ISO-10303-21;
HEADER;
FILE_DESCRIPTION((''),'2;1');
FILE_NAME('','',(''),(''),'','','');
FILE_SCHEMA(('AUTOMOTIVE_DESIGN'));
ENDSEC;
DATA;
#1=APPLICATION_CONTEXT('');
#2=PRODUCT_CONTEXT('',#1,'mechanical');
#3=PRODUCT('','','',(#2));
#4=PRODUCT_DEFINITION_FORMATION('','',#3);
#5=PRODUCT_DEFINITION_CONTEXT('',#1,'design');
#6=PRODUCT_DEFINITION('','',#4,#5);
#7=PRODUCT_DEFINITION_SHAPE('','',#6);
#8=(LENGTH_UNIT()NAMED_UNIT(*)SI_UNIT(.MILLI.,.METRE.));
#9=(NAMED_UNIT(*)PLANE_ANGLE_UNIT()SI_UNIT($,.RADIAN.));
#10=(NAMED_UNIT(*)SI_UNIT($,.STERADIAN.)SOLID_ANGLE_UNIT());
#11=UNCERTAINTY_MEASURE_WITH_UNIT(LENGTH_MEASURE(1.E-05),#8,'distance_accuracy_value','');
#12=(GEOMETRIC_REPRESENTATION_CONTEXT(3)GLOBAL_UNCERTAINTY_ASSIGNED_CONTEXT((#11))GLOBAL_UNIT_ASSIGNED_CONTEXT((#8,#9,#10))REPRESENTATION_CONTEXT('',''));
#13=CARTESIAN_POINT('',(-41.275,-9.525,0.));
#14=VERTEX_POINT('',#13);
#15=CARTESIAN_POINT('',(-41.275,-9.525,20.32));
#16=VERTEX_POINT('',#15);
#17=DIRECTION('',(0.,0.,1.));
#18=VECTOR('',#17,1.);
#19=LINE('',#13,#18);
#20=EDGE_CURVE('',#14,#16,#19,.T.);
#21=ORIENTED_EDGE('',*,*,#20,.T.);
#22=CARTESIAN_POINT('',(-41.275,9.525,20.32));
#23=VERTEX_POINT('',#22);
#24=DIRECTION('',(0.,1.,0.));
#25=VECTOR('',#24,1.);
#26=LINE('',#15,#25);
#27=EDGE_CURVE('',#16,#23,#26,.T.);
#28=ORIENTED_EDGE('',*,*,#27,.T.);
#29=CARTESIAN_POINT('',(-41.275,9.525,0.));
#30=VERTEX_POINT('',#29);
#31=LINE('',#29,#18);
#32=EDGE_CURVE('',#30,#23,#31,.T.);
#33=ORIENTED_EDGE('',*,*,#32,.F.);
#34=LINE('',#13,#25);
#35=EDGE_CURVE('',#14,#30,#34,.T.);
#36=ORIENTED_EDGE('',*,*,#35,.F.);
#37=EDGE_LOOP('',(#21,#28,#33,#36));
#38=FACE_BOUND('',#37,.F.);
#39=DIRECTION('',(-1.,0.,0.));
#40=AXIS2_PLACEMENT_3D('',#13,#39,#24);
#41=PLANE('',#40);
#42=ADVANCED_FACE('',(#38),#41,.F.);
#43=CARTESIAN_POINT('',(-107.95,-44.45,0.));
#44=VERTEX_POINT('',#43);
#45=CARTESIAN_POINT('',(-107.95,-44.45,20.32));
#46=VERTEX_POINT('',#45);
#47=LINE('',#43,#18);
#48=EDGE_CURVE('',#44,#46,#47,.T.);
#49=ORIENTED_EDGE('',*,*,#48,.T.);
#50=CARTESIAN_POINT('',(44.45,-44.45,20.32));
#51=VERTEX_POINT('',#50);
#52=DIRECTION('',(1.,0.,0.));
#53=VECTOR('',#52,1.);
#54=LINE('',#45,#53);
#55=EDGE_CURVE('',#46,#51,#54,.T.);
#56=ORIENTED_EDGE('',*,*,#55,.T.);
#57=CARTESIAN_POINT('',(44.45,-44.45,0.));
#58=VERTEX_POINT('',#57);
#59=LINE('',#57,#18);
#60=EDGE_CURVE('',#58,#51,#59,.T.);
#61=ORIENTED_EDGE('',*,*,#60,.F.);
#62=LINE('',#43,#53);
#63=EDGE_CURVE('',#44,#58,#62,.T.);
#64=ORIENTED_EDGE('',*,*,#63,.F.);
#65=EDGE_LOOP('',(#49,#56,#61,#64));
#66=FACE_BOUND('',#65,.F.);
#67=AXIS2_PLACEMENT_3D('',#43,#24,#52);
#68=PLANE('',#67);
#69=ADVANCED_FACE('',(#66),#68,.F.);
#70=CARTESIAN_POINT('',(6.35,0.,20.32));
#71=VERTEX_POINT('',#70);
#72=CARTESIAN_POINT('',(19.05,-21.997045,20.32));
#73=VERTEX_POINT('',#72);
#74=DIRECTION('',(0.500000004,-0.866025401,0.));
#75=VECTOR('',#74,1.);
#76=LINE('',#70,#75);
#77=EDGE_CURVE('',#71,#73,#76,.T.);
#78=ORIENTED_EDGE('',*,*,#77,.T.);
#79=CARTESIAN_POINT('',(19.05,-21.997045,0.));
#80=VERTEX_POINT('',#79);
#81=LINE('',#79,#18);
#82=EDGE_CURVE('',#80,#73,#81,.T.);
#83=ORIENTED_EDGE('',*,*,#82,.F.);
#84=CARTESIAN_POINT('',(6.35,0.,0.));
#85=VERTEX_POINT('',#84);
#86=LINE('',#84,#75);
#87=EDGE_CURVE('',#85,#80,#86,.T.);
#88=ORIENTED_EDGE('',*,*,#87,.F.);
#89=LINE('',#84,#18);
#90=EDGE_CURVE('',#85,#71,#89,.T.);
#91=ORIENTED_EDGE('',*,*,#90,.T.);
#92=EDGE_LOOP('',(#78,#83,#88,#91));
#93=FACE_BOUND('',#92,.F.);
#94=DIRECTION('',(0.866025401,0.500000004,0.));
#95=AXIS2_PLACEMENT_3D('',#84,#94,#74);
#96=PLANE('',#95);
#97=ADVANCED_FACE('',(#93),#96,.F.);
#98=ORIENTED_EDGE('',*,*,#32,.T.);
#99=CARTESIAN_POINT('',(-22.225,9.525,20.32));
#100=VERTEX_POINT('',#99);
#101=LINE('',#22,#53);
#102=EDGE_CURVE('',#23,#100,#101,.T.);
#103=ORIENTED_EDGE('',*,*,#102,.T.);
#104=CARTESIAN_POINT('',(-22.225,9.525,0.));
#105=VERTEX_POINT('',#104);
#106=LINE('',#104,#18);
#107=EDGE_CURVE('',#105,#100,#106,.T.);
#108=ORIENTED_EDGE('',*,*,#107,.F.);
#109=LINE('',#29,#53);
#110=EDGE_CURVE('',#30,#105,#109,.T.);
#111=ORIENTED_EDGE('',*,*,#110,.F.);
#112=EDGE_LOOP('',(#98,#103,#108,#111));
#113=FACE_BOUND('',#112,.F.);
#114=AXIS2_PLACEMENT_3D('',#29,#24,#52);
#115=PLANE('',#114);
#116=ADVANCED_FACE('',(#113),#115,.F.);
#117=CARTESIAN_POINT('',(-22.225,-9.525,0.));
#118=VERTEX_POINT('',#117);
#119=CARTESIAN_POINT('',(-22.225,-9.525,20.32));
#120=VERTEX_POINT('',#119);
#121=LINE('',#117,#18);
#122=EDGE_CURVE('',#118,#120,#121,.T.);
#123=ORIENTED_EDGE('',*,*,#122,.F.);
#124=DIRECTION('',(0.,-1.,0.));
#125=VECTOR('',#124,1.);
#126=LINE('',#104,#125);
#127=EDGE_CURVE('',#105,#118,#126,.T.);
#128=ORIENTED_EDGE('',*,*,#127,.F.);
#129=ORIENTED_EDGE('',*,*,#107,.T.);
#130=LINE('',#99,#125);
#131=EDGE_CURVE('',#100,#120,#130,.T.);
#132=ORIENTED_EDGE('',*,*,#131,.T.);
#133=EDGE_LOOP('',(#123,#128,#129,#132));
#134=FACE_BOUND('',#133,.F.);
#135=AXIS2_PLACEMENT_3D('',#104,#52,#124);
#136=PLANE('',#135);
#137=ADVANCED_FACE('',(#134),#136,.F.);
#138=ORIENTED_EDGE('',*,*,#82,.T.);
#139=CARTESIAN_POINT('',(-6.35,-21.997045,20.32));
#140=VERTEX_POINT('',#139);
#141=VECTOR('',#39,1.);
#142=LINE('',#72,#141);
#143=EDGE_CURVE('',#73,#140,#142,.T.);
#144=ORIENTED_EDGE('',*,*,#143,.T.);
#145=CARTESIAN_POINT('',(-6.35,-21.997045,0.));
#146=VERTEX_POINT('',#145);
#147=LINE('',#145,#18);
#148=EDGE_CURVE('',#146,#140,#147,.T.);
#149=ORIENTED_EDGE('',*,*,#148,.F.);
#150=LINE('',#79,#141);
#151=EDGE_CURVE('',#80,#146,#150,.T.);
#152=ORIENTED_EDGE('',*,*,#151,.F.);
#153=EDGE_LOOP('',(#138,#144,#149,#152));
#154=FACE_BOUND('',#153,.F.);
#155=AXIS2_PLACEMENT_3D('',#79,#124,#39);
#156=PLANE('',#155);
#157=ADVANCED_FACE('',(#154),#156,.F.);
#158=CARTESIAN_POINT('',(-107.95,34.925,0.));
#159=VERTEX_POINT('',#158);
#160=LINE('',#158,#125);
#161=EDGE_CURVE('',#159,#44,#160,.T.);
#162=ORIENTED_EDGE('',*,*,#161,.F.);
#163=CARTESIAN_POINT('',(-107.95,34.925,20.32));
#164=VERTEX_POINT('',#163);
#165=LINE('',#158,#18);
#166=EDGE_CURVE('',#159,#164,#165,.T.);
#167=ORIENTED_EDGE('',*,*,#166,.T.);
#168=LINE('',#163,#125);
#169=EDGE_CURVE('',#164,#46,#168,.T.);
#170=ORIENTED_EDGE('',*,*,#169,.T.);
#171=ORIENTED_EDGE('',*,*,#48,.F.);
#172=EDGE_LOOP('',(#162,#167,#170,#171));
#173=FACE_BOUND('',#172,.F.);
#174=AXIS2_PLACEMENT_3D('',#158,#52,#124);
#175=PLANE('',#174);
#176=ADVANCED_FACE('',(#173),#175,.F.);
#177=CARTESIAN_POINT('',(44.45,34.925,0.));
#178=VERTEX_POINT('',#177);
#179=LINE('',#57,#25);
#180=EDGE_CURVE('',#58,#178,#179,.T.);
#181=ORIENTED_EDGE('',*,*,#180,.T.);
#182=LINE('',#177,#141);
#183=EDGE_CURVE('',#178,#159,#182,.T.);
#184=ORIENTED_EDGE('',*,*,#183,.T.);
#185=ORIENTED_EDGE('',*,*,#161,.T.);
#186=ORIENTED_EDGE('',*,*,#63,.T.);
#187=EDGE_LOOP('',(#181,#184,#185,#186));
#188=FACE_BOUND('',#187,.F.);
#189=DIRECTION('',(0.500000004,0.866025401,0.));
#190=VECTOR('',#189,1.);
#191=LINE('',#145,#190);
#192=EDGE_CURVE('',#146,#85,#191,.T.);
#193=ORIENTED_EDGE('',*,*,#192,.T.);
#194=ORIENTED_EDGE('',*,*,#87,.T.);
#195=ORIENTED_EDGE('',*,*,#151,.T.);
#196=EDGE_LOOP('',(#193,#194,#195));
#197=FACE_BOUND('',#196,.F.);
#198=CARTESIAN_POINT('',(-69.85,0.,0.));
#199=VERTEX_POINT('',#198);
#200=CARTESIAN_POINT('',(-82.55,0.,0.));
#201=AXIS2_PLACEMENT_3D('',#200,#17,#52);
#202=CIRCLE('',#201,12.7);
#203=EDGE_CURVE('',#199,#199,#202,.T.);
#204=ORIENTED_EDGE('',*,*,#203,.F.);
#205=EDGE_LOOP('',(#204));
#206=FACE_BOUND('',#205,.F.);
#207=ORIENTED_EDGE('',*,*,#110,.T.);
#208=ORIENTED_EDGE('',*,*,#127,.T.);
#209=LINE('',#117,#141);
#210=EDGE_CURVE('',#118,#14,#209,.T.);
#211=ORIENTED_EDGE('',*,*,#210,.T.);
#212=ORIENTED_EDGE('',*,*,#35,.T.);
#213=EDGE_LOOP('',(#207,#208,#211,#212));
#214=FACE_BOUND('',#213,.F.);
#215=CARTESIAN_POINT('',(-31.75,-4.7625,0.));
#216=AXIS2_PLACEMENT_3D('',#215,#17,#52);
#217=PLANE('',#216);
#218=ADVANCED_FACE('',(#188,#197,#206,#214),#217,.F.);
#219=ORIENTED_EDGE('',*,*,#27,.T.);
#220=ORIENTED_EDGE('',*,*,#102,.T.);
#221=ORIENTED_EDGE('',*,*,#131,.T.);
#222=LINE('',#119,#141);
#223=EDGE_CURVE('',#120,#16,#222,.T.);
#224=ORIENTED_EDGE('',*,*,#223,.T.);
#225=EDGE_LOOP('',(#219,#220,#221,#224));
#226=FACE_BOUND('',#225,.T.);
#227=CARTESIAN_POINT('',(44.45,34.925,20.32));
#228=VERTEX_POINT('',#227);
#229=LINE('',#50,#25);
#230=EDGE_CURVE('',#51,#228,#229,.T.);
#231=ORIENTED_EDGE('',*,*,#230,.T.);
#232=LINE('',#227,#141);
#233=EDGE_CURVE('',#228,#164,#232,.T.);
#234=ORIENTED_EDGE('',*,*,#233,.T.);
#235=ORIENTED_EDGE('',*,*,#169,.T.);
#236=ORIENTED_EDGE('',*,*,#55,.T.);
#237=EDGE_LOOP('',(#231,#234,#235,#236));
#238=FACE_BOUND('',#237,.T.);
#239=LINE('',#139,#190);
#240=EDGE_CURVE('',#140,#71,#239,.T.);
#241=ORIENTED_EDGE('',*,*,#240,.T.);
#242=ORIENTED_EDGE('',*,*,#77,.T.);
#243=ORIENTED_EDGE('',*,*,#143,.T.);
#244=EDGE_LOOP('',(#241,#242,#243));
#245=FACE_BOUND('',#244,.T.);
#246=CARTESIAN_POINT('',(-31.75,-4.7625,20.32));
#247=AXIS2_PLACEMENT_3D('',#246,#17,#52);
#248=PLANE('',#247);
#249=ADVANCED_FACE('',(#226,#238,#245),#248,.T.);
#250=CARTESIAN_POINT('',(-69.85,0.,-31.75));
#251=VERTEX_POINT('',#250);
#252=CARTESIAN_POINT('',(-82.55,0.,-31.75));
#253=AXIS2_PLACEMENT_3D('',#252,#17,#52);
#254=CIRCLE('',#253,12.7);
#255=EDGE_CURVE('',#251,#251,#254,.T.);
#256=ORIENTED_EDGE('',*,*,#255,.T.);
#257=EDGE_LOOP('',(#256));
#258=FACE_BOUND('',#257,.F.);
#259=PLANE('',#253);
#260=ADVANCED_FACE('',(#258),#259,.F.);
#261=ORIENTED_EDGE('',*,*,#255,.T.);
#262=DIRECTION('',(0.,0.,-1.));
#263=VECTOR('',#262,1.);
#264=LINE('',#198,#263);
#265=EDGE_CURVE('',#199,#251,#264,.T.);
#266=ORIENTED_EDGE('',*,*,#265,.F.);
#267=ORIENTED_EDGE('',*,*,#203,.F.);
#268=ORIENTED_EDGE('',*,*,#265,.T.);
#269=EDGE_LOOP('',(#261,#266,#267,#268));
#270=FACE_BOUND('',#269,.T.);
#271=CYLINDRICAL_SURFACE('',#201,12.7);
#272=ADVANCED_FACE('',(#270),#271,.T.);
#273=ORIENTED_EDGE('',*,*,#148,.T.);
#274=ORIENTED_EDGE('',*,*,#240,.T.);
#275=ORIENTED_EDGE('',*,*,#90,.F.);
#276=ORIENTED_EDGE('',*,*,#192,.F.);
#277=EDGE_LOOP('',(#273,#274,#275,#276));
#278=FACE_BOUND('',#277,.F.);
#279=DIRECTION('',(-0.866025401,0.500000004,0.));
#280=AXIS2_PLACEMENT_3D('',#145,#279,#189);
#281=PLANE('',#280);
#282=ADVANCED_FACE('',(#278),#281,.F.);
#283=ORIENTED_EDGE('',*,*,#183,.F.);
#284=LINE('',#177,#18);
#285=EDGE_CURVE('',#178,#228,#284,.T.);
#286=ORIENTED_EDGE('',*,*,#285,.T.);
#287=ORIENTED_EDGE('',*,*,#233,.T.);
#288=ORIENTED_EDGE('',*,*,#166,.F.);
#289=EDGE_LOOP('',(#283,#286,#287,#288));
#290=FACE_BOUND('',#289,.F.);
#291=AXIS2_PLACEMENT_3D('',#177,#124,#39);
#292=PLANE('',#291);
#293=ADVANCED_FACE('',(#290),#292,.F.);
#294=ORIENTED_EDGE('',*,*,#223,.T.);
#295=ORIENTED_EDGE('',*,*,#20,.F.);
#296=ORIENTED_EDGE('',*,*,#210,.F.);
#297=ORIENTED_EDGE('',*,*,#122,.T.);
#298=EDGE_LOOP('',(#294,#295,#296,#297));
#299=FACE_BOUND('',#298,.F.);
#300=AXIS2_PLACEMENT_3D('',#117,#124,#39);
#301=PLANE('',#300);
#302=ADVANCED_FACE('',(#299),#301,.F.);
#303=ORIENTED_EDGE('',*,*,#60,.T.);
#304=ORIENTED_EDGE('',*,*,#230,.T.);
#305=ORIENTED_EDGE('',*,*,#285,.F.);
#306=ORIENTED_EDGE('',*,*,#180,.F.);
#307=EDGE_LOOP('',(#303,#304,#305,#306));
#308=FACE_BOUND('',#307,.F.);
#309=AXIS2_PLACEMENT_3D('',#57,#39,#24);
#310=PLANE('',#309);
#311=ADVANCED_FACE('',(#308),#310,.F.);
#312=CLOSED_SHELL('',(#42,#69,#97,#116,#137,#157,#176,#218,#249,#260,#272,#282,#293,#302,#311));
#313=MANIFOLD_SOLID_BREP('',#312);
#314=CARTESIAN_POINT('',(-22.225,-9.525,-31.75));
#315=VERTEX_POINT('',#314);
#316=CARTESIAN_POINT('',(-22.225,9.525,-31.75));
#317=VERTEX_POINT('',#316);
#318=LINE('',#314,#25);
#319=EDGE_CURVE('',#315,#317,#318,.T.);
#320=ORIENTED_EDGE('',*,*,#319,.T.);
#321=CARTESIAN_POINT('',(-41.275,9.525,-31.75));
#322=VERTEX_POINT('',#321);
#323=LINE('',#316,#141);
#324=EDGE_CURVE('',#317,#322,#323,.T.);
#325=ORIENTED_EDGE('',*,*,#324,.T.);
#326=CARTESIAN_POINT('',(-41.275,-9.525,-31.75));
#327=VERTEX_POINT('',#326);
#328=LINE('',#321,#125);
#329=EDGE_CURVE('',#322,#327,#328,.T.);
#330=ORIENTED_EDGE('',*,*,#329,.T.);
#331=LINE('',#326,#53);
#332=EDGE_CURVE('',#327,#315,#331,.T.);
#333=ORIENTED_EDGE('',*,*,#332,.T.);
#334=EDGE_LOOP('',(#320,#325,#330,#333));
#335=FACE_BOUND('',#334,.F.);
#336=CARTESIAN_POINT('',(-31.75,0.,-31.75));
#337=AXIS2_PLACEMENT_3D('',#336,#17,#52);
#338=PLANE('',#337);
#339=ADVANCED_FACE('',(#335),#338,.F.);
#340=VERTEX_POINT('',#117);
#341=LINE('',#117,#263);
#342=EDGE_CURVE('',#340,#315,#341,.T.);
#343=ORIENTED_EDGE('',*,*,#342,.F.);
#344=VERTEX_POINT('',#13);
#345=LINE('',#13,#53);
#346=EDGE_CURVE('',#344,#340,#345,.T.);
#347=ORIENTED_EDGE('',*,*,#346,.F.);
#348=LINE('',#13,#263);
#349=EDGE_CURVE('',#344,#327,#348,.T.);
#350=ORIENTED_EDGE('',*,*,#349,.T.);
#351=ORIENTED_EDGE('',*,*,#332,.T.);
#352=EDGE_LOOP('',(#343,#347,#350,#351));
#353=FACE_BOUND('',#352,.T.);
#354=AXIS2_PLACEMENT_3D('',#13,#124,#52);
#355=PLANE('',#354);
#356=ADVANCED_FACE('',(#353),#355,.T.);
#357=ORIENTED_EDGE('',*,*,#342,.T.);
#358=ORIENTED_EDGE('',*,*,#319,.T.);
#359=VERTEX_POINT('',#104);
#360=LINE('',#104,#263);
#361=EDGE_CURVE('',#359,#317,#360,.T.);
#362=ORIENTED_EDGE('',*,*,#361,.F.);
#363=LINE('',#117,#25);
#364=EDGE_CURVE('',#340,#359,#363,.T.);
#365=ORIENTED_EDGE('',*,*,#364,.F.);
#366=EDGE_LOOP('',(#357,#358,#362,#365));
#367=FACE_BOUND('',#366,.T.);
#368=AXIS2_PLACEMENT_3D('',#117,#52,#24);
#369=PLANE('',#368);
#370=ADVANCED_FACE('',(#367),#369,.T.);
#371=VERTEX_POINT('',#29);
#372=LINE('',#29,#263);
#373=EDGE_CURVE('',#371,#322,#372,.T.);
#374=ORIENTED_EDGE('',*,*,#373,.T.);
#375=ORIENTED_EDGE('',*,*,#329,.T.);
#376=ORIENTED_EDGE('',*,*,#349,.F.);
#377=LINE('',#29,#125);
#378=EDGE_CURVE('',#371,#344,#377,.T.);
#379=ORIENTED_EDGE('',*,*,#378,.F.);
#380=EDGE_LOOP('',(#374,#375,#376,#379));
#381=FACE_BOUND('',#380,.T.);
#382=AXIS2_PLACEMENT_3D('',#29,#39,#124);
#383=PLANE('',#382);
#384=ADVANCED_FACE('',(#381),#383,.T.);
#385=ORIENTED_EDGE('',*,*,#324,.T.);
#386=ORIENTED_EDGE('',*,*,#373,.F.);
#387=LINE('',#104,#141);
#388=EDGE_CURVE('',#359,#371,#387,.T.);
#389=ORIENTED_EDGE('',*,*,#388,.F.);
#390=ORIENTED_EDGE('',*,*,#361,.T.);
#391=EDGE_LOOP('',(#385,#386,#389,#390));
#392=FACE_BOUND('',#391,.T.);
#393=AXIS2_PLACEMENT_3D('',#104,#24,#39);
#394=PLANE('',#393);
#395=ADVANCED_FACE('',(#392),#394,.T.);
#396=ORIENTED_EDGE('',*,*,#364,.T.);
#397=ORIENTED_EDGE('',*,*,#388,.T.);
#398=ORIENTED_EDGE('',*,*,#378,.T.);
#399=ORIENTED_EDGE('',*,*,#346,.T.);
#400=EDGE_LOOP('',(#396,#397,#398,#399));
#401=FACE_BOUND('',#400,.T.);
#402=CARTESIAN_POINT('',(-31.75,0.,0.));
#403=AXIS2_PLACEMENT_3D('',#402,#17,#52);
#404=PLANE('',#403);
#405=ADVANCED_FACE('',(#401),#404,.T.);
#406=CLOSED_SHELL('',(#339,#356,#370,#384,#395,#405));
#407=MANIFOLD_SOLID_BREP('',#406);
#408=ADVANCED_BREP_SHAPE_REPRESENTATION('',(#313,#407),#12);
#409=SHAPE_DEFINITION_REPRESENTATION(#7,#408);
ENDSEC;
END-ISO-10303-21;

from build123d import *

# Parameters (mm, degrees)
F0_R     = 12.7
F1_DEPTH = 20.32
F2_DEPTH = 31.75
F3_DEPTH = 31.75


with BuildPart() as f1:
    # F0 (on Top) → F1 (new body)
    with BuildSketch(Plane.XY):
        Polygon((-107.95, -44.45), (0, -44.45), (44.45, -44.45), (44.45, 34.925), (-107.95, 34.925), align=None)
        Polygon((-6.35, -21.997045), (6.35, 0), (19.05, -21.997045), align=None, mode=Mode.SUBTRACT)
        with Locations((-82.55, 0)):
            Circle(F0_R, mode=Mode.SUBTRACT)
        Polygon((-22.225, 9.525), (-22.225, 0), (-22.225, -9.525), (-41.275, -9.525), (-41.275, 9.525), align=None, mode=Mode.SUBTRACT)
        with Locations((-82.55, 0)):
            Circle(F0_R)
    extrude(amount=F1_DEPTH)

    # F0 (on Top) → F2 (join)
    with BuildSketch(Plane.XY):
        with Locations((-82.55, 0)):
            Circle(F0_R)
    extrude(amount=-F2_DEPTH)


with BuildPart() as f3:
    # F0 (on Top) → F3 (new body)
    with BuildSketch(Plane.XY):
        Polygon((-22.225, -9.525), (-22.225, 0), (-22.225, 9.525), (-41.275, 9.525), (-41.275, -9.525), align=None)
    extrude(amount=-F3_DEPTH)


solid = Compound([f1.part, f3.part])
